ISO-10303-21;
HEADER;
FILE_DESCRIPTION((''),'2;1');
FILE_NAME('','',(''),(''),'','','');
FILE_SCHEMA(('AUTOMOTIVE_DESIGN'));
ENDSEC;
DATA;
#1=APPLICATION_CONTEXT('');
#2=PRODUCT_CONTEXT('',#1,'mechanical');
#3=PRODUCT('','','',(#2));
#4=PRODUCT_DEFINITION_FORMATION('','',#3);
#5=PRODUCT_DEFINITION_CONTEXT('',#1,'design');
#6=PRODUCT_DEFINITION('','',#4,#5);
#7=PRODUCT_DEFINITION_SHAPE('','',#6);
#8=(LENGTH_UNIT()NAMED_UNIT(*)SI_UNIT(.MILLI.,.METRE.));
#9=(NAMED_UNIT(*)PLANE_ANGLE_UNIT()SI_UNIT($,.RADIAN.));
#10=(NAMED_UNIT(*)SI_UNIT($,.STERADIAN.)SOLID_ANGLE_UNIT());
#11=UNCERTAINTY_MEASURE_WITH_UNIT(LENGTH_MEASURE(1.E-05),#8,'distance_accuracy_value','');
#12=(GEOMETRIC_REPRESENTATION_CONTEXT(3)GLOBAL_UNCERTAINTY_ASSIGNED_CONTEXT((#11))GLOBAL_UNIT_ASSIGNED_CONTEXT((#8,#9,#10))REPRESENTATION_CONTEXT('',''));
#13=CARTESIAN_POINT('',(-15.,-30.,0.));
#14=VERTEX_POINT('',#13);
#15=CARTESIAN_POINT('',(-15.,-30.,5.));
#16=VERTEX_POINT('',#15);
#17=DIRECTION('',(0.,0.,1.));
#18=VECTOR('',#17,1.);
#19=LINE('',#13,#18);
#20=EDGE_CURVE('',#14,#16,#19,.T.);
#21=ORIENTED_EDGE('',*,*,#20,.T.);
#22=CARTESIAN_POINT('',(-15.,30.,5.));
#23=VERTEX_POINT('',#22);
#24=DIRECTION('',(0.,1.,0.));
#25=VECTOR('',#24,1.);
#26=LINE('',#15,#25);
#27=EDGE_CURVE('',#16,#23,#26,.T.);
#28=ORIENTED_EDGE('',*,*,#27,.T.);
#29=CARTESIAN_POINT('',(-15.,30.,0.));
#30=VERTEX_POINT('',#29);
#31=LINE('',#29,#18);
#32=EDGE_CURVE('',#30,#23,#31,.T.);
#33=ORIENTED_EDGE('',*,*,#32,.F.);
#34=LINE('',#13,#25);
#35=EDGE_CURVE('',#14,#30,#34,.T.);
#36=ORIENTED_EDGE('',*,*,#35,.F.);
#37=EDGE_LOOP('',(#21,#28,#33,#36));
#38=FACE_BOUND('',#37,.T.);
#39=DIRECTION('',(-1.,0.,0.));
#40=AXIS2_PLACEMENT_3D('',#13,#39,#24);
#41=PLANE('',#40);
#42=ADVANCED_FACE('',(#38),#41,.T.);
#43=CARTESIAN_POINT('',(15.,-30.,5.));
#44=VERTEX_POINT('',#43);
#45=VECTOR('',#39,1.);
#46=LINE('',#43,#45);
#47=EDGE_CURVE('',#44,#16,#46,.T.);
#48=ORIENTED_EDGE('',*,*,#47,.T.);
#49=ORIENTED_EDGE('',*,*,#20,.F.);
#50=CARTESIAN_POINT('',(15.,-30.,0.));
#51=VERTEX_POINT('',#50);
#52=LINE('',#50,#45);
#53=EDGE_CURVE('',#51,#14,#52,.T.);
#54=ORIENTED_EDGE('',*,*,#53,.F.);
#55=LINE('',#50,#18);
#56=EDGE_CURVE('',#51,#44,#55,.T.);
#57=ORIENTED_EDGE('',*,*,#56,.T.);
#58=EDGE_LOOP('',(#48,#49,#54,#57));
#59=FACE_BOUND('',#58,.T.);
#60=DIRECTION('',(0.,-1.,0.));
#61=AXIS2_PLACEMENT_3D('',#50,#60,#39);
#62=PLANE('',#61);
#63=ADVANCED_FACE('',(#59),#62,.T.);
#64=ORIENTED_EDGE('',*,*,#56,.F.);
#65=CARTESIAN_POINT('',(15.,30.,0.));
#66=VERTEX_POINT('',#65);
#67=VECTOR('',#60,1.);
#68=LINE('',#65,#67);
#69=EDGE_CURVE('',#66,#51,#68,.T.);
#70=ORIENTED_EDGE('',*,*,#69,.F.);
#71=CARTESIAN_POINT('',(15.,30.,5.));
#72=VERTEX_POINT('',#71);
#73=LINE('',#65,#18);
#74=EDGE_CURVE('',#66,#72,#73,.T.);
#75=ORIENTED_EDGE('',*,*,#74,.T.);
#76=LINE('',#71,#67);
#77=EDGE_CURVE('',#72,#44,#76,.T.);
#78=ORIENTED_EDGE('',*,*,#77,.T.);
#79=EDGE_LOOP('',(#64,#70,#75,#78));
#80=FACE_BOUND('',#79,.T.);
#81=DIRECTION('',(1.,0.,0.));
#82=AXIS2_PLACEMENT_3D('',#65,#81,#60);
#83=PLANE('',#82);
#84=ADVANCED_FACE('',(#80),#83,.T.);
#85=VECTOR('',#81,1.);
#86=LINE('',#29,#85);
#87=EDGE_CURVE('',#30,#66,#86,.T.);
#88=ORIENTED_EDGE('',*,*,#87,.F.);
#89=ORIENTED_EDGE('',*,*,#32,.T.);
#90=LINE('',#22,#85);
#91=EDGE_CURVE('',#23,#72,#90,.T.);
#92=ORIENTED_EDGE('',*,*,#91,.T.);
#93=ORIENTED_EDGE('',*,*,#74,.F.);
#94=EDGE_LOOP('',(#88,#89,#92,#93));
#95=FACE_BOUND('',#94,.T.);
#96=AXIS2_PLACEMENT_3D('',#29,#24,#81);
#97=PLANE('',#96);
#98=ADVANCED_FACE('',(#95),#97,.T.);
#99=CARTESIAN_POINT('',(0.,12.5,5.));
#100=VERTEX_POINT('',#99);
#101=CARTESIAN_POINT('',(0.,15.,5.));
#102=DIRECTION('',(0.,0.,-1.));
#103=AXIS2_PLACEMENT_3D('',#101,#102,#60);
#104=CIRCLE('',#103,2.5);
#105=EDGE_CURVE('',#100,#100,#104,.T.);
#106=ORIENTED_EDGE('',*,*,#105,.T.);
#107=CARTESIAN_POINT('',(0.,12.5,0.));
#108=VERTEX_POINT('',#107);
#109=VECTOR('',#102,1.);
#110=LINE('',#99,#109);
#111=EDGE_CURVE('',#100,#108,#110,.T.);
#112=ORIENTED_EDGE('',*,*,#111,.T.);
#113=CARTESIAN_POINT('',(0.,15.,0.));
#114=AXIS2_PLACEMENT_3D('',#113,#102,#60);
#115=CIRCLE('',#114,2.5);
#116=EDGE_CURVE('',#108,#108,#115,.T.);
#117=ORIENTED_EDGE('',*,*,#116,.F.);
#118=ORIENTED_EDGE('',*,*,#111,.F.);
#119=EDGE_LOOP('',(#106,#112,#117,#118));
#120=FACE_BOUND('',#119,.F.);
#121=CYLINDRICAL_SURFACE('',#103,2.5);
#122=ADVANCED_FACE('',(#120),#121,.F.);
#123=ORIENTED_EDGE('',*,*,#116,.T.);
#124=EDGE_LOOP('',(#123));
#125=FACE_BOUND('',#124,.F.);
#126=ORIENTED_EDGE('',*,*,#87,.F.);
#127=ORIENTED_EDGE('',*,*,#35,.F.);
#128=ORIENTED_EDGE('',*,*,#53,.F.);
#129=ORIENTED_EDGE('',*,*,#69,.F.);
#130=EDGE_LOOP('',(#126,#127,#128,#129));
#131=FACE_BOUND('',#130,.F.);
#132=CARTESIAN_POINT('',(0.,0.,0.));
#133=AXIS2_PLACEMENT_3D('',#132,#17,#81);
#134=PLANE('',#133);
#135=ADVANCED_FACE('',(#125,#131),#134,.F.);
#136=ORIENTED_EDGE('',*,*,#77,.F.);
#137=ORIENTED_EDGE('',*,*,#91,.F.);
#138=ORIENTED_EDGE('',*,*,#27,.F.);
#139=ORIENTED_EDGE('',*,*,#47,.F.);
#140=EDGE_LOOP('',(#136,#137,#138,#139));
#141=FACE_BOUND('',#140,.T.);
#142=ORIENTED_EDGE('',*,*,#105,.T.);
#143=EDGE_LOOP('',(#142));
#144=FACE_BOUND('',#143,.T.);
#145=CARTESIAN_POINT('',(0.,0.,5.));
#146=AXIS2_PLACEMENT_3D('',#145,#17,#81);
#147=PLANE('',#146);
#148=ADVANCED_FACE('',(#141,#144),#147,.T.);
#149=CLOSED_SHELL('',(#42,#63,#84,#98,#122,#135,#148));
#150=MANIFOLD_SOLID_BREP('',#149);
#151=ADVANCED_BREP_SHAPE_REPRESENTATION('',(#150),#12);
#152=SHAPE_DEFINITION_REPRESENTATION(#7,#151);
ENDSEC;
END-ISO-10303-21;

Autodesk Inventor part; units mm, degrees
ref_plane "YZ Plane" through (0, 0, 0) normal (1, 0, 0) x (0, 1, 0)
ref_plane "XZ Plane" through (0, 0, 0) normal (0, 1, 0) x (-1, 0, 0)
ref_plane "XY Plane" through (0, 0, 0) normal (0, 0, 1) x (1, 0, 0)
sketch "Sketch1" plane through (0, 0, 0) normal (0, 0, 1) x (1, 0, 0)
  line L0 (-15, 30) -> (15, 30)
  line L1 (15, 30) -> (15, -30)
  line L2 (15, -30) -> (-15, -30)
  line L3 (-15, -30) -> (-15, 30)
  point P0 (0, 0)
  dimension "d0" = 30
  dimension "d1" = 15
  dimension "d2" = 60
  dimension "d3" = 30
extrude "thickness" add sketch "Sketch1" along normal blind 5
sketch "Sketch2" plane through (0, 0, 5) normal (0, 0, 1) x (1, 0, 0)
  line L0 (-15, -30) -> (15, -30) projected
  point P0 (0, 0)
  point P1 (0, 15)
  dimension "d6" = 45
hole "Hole1" at (0, 15, 5) direction (0, 0, -1) diameter 5 end through all
equation "\"d0\" = sm_varx_squareBarDimension"
equation "\"d1\" = 0.5 * d0"
equation "\"d3\" = 0.5 * d2"
equation "\"d4\" = thickness"
equation "\"d7\" = sm_varx_pinPlate_holeDiameter"
equation "\"sm_varx_squareBarDimension\" = 30"
equation "\"thickness\" = sm_varx_pinPlate_thickness"
equation "\"hoop_angle_z\" = 45deg"
equation "\"hoop_bearing_length\" = 5deg"
equation "\"hoop_cable_diam\" = 5"
equation "\"hoop_cable_pulley_diam\" = 22"
equation "\"rack_tooth_addendum\" = 5"
equation "\"rack_tooth_dedendum\" = 5"
equation "\"rack_tooth_thickness\" = 5"
equation "\"secure_arm_angle\" = 20deg"
equation "\"secure_arm_hold_length\" = 35"
equation "\"secure_arm_radii\" = 9"
equation "\"support_baseClamp_platformLengthBuffer\" = 35"
equation "\"support_baseClamp_platformThickness\" = 15"
equation "\"support_baseClamp_platformWidthBuffer\" = 0"
equation "\"support_baseClamp_sleeveHoleDiameter\" = 12"
equation "\"support_baseClamp_sleeveSweepTerminationAngle\" = 55deg"
equation "\"support_baseClamp_thickness\" = 8"
equation "\"support_frame_endHoleBuffer\" = 25"
equation "\"support_frame_squareBarFillet\" = 2"
equation "\"support_frame_squareBarThickness\" = 5"
equation "\"hoop_tabs_thickness\" = 6"
equation "\"hoop_tabs_hole\" = 4"
equation "\"wheelchair_deployed_width\" = 635"
equation "\"wheelchair_deployed_length\" = 1067"
equation "\"wheelchair_deployed_height\" = 914"
equation "\"sm_varx_squareBarThickness\" = 2.5"
equation "\"sm_varx_pinPlate_thickness\" = 5"
equation "\"sm_varx_pinPlate_holeDiameter\" = 5"
properties part number "pinPlate" material "Steel, Galvanized"
